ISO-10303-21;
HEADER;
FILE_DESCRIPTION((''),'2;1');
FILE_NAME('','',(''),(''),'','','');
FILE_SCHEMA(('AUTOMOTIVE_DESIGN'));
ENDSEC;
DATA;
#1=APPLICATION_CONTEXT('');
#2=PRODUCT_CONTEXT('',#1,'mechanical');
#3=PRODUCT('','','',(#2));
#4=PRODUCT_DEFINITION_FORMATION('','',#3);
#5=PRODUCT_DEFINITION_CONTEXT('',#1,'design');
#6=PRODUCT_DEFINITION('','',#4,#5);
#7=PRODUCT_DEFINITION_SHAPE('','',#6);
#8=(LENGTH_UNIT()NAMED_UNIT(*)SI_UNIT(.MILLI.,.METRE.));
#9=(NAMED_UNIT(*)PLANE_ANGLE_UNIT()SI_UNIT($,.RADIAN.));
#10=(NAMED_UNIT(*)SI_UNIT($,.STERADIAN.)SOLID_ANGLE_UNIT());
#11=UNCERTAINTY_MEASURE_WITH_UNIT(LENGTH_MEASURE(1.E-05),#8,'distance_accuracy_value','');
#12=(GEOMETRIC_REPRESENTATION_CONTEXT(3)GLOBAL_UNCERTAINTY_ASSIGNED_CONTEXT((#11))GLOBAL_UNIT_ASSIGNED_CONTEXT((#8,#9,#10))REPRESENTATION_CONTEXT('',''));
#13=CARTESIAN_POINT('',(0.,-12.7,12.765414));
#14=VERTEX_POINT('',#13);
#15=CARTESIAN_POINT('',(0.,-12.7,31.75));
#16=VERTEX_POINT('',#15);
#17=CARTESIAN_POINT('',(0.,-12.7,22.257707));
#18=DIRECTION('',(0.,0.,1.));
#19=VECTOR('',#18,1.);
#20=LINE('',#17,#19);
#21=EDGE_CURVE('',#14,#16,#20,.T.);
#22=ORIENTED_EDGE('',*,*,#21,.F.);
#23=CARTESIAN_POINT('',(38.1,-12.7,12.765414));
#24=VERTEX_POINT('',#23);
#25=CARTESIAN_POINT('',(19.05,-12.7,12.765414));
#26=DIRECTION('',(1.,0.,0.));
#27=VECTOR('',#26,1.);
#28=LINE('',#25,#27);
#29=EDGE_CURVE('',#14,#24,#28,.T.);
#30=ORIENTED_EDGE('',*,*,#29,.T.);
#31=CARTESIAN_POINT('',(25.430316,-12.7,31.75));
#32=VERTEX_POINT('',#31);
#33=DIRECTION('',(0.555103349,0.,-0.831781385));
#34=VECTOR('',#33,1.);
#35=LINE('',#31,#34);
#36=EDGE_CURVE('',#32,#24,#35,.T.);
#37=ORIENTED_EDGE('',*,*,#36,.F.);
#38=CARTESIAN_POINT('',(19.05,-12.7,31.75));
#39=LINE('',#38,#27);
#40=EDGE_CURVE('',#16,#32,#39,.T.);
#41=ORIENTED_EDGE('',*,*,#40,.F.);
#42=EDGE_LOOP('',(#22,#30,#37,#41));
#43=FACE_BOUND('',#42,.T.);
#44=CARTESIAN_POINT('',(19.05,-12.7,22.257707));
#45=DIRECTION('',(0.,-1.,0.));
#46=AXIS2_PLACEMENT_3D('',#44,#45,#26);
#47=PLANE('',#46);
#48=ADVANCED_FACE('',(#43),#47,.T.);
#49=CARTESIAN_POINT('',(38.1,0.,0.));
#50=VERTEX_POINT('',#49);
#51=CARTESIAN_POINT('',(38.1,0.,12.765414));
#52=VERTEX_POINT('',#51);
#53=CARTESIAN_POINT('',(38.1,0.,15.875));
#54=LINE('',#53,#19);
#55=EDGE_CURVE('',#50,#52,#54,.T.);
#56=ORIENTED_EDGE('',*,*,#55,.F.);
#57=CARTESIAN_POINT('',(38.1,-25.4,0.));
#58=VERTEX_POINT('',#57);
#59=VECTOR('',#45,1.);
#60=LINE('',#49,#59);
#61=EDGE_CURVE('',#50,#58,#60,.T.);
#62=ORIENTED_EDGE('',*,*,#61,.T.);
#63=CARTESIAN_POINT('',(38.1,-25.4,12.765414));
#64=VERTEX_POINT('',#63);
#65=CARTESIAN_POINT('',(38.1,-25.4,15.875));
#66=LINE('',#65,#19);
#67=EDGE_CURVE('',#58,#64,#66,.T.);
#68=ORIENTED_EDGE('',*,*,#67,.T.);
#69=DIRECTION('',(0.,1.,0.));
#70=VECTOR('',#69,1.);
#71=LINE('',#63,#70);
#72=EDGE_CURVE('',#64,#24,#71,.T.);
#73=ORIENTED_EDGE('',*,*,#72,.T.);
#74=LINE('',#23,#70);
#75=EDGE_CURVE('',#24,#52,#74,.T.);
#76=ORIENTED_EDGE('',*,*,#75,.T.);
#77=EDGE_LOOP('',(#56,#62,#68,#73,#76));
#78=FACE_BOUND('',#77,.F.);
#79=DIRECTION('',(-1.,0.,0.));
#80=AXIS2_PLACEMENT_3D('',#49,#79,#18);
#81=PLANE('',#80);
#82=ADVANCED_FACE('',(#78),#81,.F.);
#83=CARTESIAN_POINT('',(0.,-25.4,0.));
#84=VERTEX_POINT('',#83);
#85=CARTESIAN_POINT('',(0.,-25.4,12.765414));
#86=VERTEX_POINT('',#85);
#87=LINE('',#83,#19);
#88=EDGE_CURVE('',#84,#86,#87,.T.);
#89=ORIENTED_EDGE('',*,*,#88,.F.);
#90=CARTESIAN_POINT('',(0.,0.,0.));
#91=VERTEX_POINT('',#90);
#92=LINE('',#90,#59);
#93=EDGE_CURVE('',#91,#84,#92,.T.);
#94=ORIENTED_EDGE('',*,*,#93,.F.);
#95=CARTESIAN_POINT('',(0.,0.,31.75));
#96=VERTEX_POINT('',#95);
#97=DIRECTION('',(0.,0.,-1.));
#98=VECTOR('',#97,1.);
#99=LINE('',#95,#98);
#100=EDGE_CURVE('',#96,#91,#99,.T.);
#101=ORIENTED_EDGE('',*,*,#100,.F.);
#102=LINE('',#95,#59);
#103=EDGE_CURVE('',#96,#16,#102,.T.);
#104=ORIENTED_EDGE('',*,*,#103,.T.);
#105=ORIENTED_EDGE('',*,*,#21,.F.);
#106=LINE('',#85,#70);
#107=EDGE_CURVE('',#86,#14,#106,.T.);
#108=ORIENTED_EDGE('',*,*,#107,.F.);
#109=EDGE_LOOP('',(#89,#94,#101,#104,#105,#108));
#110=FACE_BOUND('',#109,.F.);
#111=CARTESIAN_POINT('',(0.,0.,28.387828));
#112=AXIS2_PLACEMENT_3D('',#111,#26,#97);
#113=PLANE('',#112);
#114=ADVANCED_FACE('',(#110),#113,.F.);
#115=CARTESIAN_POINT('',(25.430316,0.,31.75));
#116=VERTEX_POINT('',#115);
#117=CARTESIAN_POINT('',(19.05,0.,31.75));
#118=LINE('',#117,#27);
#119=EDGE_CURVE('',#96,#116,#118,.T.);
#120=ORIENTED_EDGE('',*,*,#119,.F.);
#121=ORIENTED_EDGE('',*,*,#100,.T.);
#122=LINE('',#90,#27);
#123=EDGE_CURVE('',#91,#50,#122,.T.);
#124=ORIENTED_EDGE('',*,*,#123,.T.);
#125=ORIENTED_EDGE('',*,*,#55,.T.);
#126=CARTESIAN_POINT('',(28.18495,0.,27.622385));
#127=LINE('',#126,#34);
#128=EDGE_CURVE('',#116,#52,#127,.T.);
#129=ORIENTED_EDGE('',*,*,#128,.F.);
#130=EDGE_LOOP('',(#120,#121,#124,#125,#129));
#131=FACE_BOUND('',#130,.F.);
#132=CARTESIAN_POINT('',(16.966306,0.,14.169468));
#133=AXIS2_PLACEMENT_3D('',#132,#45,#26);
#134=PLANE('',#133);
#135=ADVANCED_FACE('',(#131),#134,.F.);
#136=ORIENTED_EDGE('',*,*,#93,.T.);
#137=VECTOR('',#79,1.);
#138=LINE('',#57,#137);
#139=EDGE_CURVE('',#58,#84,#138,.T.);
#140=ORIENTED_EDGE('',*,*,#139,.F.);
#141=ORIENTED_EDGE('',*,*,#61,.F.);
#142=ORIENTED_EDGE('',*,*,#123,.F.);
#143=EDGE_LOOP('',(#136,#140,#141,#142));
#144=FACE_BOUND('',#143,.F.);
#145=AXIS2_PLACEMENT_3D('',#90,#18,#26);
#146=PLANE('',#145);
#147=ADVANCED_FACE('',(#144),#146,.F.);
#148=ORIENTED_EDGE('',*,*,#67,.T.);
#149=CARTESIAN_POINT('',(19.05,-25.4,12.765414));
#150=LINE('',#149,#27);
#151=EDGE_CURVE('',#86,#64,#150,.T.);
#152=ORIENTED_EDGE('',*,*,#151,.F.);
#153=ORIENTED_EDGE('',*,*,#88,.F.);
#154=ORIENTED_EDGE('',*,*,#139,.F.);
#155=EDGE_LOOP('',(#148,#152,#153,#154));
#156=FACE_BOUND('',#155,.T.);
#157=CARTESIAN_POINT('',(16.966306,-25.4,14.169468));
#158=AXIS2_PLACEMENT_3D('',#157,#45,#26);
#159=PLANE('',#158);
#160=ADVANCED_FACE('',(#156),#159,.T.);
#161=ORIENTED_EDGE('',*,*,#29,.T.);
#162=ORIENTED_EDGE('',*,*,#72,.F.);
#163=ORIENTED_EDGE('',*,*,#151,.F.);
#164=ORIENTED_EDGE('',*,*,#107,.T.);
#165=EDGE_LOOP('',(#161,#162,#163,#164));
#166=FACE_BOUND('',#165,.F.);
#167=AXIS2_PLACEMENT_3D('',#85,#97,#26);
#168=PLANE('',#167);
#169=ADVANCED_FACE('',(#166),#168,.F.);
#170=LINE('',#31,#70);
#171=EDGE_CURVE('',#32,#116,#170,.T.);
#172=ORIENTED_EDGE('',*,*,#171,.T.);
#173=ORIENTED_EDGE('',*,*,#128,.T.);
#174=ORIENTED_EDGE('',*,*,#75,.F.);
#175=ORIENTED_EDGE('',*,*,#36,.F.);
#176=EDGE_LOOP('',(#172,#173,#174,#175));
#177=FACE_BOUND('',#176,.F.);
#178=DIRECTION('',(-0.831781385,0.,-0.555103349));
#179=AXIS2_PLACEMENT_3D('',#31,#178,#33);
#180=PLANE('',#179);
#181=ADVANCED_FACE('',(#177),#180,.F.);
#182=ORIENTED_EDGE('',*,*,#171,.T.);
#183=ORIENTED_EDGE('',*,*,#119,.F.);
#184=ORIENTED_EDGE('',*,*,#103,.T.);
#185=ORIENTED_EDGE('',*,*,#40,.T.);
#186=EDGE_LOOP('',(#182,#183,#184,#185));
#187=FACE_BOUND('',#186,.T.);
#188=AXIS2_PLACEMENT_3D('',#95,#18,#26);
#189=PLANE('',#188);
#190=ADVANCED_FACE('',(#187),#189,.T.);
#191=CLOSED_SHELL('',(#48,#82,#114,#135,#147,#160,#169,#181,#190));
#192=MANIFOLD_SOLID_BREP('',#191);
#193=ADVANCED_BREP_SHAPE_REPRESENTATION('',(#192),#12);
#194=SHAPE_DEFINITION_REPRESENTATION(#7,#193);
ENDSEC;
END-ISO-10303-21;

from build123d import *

# Parameters (mm, degrees)
F2_DEPTH = 25.4
F0_W     = 38.1
F0_H     = 31.75
F3_DEPTH = 25.4
F4_W     = 38.1
F4_H     = 18.9845859185
F5_DEPTH = 12.7
F7_DEPTH = 12.701


with BuildPart() as f2:
    # F1 (on Front) → F2 (new body)
    with BuildSketch(Plane.XZ):
        Polygon((33.8248718529, 28.3878277987), (0, 28.3878277987), (0, 0), (34.039542079, 0), align=None)
    extrude(amount=F2_DEPTH)

    # F0 (on Front) → F3 (join)
    with BuildSketch(Plane.XZ):
        with Locations((19.05, 15.875)):
            Rectangle(F0_W, F0_H)
    extrude(amount=F3_DEPTH)

    # F4 (on face) → F5 (cut)
    with BuildSketch(Plane.XZ.offset(25.4)):
        with Locations((19.05, 22.2577070408)):
            Rectangle(F4_W, F4_H)
    extrude(amount=-F5_DEPTH, mode=Mode.SUBTRACT)

    # F6 (on face) → F7 (cut, through all)
    with BuildSketch(Plane.XZ.offset(12.7)):
        Polygon((38.1, 31.75), (25.4303161055, 31.75), (38.1, 12.7654140815), align=None)
    extrude(amount=-F7_DEPTH, mode=Mode.SUBTRACT)


solid = f2.part
